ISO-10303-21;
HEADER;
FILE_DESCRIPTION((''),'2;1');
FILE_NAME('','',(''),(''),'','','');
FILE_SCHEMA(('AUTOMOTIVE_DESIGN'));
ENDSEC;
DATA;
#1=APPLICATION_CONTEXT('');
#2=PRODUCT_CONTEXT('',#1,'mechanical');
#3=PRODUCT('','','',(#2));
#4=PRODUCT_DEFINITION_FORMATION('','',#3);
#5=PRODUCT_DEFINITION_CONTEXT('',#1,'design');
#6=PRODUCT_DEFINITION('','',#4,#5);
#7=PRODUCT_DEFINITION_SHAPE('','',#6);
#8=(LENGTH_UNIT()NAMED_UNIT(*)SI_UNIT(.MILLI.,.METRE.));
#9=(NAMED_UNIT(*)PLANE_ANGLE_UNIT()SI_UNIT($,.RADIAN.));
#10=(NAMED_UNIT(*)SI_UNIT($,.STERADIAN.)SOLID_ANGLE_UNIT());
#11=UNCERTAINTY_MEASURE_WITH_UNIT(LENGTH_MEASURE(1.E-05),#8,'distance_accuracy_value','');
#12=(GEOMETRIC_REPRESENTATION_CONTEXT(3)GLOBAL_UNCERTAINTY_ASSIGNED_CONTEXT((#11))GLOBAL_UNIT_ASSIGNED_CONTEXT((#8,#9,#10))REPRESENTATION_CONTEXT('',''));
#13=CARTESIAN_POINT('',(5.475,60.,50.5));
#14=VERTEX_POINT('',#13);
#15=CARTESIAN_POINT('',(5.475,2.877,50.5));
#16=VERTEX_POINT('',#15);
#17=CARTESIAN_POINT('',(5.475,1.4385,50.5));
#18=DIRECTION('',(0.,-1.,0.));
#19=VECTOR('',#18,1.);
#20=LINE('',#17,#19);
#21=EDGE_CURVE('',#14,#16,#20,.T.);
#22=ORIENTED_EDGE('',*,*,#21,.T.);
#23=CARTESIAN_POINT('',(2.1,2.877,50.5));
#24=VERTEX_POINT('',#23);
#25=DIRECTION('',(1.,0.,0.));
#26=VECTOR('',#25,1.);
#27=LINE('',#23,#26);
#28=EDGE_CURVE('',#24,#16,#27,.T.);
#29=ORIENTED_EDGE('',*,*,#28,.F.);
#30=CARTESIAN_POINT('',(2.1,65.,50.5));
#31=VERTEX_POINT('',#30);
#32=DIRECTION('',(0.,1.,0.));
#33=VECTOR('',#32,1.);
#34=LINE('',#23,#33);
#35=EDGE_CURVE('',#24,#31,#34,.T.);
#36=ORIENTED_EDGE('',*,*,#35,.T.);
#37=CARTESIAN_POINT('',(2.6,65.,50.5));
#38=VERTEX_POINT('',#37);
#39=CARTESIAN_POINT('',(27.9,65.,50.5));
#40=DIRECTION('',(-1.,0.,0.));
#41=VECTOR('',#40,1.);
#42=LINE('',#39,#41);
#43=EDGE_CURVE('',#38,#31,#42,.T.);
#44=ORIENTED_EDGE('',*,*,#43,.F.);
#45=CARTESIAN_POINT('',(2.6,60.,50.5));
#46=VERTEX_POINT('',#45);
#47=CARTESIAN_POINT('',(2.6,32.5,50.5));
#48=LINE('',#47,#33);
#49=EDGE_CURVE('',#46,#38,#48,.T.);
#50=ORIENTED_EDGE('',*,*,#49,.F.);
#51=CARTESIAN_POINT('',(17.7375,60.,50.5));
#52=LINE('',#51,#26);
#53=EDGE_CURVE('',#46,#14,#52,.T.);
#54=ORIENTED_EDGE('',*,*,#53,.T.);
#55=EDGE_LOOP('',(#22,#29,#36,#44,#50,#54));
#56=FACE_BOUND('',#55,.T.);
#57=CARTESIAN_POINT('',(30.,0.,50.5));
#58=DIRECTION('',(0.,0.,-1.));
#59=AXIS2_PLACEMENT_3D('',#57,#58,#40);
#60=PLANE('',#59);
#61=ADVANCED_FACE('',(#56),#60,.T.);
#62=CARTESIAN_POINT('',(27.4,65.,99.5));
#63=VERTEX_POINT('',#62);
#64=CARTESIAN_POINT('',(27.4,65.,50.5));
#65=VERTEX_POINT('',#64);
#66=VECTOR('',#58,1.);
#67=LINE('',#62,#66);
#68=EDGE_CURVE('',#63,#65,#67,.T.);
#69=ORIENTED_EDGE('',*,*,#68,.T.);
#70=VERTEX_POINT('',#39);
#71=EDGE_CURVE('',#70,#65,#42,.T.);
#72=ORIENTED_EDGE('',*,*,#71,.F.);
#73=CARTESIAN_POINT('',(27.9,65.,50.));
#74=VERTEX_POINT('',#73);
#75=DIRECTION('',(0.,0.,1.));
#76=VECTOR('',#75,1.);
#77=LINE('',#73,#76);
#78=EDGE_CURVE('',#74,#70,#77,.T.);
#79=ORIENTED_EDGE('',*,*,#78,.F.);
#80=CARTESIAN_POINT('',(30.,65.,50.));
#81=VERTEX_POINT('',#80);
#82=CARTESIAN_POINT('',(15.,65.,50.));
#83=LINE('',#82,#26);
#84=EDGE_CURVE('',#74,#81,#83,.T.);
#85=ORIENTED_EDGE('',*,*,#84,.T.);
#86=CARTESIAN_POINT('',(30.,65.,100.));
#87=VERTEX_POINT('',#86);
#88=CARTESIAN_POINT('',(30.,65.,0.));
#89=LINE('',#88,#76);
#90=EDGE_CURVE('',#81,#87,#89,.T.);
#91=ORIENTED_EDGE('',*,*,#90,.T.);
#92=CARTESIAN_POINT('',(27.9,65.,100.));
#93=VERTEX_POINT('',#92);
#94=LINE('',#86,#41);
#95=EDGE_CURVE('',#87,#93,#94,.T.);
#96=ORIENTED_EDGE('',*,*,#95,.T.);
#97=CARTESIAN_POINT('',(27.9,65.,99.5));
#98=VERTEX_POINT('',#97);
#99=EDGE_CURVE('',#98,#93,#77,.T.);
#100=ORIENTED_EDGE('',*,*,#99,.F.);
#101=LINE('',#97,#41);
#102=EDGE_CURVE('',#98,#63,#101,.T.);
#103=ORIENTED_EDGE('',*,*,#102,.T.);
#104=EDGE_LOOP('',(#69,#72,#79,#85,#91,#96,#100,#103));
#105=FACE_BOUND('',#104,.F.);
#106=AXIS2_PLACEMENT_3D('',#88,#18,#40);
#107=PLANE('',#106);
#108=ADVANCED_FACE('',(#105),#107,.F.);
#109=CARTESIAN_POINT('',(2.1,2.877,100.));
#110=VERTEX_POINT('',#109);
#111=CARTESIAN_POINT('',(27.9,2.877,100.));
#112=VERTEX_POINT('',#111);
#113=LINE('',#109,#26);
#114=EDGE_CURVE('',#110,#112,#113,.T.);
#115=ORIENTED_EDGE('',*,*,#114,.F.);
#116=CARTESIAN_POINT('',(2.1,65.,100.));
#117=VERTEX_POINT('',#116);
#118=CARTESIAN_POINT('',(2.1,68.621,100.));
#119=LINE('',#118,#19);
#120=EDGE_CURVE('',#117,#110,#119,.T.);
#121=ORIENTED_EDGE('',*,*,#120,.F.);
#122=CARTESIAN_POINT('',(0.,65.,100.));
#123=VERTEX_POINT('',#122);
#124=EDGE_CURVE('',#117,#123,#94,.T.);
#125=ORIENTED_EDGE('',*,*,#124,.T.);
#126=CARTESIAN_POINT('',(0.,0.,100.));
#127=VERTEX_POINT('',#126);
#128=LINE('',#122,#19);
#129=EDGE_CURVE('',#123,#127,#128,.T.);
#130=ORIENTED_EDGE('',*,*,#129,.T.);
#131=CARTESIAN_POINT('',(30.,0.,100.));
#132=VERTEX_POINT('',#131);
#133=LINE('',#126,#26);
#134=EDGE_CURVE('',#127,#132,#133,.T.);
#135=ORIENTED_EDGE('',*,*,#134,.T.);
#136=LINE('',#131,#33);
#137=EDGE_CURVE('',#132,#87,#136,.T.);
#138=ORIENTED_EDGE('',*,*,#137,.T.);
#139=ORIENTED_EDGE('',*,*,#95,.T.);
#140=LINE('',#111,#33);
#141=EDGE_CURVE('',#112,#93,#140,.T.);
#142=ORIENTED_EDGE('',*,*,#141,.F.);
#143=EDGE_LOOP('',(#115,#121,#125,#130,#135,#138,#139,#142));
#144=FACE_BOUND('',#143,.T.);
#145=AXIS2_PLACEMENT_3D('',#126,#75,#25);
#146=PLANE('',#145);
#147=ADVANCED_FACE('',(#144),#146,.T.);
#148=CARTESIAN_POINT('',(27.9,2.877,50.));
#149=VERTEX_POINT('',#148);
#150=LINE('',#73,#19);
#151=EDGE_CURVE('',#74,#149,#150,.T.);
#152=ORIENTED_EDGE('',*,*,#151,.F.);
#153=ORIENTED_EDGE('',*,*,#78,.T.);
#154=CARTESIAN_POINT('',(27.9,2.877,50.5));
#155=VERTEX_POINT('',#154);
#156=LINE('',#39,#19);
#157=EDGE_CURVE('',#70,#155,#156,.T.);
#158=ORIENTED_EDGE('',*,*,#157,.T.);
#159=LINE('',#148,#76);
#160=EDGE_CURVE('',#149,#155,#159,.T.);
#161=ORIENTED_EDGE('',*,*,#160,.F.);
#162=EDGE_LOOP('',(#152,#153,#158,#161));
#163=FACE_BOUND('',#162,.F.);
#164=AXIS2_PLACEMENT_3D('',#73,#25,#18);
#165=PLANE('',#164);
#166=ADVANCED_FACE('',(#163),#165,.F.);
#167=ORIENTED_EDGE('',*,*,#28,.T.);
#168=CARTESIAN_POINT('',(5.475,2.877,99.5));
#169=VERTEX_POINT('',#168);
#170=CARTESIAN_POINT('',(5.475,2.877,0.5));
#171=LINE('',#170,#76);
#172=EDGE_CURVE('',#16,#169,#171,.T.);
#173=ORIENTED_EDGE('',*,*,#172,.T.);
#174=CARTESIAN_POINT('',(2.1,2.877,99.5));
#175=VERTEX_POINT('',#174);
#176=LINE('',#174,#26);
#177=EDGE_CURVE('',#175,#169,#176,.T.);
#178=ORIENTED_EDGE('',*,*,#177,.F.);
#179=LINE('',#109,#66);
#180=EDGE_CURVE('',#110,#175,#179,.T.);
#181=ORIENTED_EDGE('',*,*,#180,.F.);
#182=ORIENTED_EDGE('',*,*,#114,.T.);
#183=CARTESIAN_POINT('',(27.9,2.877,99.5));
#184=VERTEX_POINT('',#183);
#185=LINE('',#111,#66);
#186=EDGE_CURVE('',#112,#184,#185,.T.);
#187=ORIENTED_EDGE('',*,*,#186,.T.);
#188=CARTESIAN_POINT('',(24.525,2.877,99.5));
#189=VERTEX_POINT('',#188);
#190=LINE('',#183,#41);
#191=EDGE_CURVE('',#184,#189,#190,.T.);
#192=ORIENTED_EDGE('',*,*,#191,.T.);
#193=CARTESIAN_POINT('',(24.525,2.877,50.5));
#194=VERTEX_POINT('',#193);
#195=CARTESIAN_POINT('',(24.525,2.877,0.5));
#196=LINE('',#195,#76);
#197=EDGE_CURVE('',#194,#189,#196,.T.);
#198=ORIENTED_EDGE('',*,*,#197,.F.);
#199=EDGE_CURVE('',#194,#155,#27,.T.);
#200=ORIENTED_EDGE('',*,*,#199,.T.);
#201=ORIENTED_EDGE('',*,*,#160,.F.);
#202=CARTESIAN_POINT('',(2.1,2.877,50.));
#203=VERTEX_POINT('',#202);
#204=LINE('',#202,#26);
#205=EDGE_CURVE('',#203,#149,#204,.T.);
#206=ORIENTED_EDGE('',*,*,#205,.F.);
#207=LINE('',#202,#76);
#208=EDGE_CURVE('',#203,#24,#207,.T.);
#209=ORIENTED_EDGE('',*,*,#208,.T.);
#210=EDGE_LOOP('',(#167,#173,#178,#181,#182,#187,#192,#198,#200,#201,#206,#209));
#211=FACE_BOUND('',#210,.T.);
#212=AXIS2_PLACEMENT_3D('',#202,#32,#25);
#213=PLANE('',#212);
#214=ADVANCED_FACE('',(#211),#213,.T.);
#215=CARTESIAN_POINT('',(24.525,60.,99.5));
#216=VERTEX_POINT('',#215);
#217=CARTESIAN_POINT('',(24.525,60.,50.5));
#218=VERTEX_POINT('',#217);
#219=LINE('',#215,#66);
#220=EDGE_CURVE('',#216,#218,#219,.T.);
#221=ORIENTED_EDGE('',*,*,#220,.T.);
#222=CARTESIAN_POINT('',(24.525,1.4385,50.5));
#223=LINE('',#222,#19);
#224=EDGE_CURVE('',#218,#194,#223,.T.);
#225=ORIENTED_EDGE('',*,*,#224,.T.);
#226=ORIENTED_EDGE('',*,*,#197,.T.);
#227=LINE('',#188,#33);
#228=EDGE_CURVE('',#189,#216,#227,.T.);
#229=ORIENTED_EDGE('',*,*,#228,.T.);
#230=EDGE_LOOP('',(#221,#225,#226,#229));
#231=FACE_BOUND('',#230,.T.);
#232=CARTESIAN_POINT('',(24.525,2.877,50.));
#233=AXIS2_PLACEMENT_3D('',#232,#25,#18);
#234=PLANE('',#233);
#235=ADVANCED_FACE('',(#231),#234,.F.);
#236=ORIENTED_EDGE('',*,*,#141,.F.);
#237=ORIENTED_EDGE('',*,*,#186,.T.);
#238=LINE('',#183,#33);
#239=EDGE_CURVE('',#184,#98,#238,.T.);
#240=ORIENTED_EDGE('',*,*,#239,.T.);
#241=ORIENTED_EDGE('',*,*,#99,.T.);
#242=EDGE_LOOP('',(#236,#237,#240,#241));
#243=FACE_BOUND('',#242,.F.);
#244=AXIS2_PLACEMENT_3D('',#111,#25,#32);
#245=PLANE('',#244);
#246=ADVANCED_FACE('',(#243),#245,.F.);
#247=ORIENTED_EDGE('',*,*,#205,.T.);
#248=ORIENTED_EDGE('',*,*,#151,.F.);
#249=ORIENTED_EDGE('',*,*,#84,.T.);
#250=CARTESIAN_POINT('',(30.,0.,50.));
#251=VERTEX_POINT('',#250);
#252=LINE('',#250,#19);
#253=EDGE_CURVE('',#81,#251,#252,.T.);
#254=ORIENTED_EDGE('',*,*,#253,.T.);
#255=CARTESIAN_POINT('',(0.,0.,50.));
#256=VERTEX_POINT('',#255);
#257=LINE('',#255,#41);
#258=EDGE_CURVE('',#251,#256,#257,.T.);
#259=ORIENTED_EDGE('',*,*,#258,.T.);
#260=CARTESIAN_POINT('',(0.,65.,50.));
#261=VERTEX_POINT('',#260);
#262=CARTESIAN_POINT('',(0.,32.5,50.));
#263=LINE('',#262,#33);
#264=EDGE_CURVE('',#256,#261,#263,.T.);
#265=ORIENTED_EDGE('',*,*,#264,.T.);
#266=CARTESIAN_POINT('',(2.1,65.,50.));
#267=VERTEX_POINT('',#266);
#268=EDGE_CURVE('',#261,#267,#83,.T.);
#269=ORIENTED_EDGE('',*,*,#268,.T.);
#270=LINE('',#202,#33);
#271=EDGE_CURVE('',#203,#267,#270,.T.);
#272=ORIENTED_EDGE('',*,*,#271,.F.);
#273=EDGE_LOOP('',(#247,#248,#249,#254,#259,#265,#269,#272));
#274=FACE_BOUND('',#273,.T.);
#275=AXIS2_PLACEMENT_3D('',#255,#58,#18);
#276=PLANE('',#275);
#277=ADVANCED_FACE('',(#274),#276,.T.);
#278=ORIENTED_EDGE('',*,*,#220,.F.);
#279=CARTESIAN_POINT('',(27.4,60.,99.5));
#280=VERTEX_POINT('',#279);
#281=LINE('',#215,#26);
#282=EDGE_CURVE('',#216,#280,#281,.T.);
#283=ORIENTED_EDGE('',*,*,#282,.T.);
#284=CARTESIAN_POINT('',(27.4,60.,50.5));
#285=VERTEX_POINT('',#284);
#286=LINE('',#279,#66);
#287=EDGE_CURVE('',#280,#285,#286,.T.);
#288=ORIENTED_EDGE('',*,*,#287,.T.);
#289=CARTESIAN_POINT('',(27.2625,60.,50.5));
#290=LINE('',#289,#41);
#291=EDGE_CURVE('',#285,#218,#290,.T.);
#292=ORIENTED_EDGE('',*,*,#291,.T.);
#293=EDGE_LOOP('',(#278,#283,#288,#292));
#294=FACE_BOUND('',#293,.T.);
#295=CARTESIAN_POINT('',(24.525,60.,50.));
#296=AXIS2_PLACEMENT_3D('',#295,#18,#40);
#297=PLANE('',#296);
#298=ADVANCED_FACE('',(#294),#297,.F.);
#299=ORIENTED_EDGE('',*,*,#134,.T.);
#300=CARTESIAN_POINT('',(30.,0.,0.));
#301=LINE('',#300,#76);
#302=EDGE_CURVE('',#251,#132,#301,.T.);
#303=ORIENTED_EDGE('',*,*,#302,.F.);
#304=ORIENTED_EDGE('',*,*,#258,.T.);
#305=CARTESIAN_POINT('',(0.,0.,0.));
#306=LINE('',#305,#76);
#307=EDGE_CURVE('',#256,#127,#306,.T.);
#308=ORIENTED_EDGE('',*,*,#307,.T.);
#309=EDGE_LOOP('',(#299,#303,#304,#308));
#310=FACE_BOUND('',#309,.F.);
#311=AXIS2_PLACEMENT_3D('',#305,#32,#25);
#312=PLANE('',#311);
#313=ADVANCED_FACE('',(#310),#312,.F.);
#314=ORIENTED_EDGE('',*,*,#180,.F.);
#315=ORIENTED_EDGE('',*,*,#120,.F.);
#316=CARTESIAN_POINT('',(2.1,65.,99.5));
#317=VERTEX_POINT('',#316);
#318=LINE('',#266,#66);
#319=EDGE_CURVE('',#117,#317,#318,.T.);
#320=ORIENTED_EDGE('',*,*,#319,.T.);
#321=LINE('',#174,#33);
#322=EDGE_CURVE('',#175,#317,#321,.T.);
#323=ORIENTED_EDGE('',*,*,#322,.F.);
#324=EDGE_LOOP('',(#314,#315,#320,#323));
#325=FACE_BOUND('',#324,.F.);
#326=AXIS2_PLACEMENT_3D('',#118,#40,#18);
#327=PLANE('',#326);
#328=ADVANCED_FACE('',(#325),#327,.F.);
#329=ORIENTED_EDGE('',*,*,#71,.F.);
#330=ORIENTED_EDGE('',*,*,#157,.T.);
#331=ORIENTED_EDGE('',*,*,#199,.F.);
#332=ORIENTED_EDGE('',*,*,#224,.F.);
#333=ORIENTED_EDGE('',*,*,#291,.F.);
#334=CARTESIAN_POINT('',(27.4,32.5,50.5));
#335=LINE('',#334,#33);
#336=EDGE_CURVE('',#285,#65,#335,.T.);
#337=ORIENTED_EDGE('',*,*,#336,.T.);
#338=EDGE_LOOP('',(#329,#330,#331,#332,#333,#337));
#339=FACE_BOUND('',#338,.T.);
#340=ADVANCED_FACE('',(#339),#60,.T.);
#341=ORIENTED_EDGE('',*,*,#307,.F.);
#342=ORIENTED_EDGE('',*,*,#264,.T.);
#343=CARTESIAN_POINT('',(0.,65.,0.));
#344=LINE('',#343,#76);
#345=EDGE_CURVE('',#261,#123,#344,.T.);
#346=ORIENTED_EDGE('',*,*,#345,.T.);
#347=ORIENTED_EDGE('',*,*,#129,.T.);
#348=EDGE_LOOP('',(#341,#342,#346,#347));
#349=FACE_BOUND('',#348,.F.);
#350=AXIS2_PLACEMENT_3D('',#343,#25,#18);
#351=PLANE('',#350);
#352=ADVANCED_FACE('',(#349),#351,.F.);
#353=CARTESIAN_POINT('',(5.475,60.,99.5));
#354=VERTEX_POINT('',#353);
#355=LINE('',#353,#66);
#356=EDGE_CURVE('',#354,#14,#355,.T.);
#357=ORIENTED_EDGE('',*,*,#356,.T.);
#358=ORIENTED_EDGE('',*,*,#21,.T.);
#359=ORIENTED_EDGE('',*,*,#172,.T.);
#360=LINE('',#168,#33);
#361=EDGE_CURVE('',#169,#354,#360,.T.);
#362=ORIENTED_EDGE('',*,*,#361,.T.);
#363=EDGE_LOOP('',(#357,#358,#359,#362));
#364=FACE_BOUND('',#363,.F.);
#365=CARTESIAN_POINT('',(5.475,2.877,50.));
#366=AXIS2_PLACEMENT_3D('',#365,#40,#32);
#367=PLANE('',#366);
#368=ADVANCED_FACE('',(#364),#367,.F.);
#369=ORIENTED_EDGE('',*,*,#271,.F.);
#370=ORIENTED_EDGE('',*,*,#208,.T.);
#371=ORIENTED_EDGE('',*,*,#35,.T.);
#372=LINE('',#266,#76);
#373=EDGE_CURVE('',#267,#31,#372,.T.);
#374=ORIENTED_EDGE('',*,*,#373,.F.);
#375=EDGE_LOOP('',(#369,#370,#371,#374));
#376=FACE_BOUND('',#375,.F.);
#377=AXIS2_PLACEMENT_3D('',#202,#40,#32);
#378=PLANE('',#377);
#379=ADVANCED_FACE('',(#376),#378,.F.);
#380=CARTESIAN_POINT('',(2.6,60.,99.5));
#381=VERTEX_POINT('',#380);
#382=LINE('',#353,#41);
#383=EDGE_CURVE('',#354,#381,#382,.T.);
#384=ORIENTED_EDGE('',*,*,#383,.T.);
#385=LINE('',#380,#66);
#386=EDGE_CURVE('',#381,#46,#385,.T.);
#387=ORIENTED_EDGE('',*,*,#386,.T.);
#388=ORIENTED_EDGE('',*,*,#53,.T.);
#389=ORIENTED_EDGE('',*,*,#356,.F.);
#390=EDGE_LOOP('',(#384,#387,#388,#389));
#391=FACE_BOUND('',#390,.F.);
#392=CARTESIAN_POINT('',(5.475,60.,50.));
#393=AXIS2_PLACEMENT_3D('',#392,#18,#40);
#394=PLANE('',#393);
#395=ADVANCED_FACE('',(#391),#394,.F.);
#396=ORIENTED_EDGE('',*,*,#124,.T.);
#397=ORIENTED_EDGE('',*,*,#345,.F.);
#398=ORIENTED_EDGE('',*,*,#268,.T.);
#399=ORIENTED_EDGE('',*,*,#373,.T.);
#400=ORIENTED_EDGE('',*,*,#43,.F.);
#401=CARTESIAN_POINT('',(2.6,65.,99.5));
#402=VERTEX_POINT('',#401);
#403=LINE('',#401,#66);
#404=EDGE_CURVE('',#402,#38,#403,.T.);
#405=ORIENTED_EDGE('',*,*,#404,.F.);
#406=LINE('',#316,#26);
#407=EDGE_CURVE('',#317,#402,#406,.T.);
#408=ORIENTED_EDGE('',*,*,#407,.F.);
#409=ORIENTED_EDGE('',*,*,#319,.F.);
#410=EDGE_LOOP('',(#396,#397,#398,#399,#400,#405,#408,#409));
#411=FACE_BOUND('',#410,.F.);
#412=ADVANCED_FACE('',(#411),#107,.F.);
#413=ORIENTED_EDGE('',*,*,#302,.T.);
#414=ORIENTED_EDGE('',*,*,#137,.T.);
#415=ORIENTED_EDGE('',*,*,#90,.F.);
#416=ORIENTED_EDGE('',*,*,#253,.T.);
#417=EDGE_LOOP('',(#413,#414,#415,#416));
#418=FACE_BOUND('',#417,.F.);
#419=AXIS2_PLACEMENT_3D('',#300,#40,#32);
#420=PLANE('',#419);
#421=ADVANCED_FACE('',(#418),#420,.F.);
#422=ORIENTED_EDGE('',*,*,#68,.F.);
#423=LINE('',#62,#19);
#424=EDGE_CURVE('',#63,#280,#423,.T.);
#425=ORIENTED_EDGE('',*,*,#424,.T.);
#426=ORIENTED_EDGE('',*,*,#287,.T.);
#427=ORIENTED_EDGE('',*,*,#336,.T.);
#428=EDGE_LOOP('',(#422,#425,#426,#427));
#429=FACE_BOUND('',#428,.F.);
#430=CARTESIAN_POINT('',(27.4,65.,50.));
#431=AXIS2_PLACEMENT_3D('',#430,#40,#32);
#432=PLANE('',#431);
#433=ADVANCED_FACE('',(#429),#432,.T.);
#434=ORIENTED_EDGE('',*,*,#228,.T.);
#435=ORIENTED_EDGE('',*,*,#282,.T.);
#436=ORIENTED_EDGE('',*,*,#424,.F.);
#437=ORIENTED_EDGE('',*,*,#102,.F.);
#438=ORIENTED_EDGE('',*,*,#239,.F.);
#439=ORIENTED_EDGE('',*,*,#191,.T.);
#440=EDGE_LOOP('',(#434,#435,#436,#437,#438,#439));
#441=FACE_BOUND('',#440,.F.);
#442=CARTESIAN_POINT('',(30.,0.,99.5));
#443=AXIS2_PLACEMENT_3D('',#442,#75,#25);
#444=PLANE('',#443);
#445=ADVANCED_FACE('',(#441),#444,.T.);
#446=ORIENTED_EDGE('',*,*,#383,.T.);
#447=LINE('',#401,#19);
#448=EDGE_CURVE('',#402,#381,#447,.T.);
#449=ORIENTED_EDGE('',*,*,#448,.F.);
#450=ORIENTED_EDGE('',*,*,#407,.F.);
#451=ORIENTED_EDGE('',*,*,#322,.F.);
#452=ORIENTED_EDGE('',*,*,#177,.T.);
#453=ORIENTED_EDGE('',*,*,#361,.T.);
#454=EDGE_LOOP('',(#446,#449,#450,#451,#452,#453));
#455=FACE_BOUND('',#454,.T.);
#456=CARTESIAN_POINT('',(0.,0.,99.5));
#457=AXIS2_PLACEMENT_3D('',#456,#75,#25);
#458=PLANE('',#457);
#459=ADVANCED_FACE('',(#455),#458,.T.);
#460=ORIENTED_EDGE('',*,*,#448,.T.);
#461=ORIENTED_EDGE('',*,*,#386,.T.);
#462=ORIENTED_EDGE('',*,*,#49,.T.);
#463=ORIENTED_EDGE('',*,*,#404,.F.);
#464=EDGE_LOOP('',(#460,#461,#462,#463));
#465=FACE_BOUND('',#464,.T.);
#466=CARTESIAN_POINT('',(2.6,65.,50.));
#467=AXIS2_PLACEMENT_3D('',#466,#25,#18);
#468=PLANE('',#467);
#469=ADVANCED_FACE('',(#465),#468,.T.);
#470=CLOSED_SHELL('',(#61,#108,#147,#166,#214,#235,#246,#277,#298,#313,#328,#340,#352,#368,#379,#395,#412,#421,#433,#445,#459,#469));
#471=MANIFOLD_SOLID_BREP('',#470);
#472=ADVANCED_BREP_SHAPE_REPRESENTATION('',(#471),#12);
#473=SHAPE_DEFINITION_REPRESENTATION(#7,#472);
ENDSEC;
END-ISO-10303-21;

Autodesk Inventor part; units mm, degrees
ref_plane "XZ Plane" through (0, 0, 0) normal (0, 1, 0) x (-1, 0, 0)
sketch "Sketch1" plane through (0, 0, 0) normal (0, 0, 1) x (1, 0, 0)
  line L0 (0, 0) -> (30, 0)
  line L1 (30, 0) -> (30, 65)
  line L2 (30, 65) -> (0, 65)
  line L3 (0, 65) -> (0, 0)
  dimension "d0" = 30
  dimension "d1" = 65
extrude "Extrusion1" add sketch "Sketch1" along normal blind 100
sketch "Sketch2" plane through (0, 0, 100) normal (0, 0, 1) x (1, 0, 0)
  line L0 (2.1, 2.877) -> (27.9, 2.877)
  line L1 (27.9, 2.877) -> (27.9, 68.621)
  line L2 (27.9, 68.621) -> (2.1, 68.621)
  line L3 (2.1, 68.621) -> (2.1, 2.877)
  line L4 (30, 65) -> (0, 65) construction
  line L5 (15, 65) -> (15, 0) construction
  line L6 (0, 0) -> (30, 0) construction
  dimension "d4" = 25.8
extrude "Extrusion2" cut sketch "Sketch2" against normal blind 100
ref_plane "Work Plane1" through (0, 0, 50) normal (0, 0, 1) x (1, 0, 0)
sketch "Sketch3" plane through (0, 0, 50) normal (0, 0, 1) x (1, 0, 0)
  line L0 (2.1, 2.877) -> (27.9, 2.877) construction
  line L1 (15, 2.877) -> (15, 72.0179) construction
  line L2 (15, 65) -> (2.1, 65) construction
  line L3 (2.1, 65) -> (0, 65) construction
  line L4 (2.1, 65) -> (2.6, 65)
  line L5 (2.6, 65) -> (2.6, 60)
  line L6 (2.6, 60) -> (2.1, 60)
  line L7 (2.1, 60) -> (2.1, 65)
  line L8 (15, 60) -> (5.475, 60) construction
  line L9 (5.475, 60) -> (2.1, 60)
  line L10 (2.1, 60) -> (2.1, 2.877)
  line L11 (2.1, 2.877) -> (5.475, 2.877)
  line L12 (5.475, 2.877) -> (5.475, 60)
  point P0 (0, 0)
  dimension "d8" = 0.5
  dimension "d9" = 5
  dimension "d10" = 9.525
extrude "Extrusion3" add sketch "Sketch3" along normal mid plane 99
ref_plane "Work Plane2" through (15, 0, 0) normal (1, 0, 0) x (0, 1, 0)
mirror "Mirror1" about plane through (15, 0, 0) normal (1, 0, 0) of "Extrusion3"
split "Split1" plane through (0, 0, 50) removes the side toward (0, 0, -1)
sketch "Sketch4" plane through (30, 0, 50) normal (0, 0, -1) x (-1, 0, 0)
  line L0 (27.9, 2.877) -> (27.9, 65) projected
  line L1 (2.1, 65) -> (2.1, 2.877) projected
  line L2 (27.9, 2.877) -> (2.1, 2.877)
  line L3 (2.1, 2.877) -> (2.1, 65)
  line L4 (2.1, 65) -> (27.9, 65)
  line L5 (27.9, 65) -> (27.9, 2.877)
  point P0 (30, 0)
extrude "Extrusion4" cut sketch "Sketch4" against normal blind 0.5
properties part number "Reactor Bottom_v2" material "Polyethylene, Low Density"
